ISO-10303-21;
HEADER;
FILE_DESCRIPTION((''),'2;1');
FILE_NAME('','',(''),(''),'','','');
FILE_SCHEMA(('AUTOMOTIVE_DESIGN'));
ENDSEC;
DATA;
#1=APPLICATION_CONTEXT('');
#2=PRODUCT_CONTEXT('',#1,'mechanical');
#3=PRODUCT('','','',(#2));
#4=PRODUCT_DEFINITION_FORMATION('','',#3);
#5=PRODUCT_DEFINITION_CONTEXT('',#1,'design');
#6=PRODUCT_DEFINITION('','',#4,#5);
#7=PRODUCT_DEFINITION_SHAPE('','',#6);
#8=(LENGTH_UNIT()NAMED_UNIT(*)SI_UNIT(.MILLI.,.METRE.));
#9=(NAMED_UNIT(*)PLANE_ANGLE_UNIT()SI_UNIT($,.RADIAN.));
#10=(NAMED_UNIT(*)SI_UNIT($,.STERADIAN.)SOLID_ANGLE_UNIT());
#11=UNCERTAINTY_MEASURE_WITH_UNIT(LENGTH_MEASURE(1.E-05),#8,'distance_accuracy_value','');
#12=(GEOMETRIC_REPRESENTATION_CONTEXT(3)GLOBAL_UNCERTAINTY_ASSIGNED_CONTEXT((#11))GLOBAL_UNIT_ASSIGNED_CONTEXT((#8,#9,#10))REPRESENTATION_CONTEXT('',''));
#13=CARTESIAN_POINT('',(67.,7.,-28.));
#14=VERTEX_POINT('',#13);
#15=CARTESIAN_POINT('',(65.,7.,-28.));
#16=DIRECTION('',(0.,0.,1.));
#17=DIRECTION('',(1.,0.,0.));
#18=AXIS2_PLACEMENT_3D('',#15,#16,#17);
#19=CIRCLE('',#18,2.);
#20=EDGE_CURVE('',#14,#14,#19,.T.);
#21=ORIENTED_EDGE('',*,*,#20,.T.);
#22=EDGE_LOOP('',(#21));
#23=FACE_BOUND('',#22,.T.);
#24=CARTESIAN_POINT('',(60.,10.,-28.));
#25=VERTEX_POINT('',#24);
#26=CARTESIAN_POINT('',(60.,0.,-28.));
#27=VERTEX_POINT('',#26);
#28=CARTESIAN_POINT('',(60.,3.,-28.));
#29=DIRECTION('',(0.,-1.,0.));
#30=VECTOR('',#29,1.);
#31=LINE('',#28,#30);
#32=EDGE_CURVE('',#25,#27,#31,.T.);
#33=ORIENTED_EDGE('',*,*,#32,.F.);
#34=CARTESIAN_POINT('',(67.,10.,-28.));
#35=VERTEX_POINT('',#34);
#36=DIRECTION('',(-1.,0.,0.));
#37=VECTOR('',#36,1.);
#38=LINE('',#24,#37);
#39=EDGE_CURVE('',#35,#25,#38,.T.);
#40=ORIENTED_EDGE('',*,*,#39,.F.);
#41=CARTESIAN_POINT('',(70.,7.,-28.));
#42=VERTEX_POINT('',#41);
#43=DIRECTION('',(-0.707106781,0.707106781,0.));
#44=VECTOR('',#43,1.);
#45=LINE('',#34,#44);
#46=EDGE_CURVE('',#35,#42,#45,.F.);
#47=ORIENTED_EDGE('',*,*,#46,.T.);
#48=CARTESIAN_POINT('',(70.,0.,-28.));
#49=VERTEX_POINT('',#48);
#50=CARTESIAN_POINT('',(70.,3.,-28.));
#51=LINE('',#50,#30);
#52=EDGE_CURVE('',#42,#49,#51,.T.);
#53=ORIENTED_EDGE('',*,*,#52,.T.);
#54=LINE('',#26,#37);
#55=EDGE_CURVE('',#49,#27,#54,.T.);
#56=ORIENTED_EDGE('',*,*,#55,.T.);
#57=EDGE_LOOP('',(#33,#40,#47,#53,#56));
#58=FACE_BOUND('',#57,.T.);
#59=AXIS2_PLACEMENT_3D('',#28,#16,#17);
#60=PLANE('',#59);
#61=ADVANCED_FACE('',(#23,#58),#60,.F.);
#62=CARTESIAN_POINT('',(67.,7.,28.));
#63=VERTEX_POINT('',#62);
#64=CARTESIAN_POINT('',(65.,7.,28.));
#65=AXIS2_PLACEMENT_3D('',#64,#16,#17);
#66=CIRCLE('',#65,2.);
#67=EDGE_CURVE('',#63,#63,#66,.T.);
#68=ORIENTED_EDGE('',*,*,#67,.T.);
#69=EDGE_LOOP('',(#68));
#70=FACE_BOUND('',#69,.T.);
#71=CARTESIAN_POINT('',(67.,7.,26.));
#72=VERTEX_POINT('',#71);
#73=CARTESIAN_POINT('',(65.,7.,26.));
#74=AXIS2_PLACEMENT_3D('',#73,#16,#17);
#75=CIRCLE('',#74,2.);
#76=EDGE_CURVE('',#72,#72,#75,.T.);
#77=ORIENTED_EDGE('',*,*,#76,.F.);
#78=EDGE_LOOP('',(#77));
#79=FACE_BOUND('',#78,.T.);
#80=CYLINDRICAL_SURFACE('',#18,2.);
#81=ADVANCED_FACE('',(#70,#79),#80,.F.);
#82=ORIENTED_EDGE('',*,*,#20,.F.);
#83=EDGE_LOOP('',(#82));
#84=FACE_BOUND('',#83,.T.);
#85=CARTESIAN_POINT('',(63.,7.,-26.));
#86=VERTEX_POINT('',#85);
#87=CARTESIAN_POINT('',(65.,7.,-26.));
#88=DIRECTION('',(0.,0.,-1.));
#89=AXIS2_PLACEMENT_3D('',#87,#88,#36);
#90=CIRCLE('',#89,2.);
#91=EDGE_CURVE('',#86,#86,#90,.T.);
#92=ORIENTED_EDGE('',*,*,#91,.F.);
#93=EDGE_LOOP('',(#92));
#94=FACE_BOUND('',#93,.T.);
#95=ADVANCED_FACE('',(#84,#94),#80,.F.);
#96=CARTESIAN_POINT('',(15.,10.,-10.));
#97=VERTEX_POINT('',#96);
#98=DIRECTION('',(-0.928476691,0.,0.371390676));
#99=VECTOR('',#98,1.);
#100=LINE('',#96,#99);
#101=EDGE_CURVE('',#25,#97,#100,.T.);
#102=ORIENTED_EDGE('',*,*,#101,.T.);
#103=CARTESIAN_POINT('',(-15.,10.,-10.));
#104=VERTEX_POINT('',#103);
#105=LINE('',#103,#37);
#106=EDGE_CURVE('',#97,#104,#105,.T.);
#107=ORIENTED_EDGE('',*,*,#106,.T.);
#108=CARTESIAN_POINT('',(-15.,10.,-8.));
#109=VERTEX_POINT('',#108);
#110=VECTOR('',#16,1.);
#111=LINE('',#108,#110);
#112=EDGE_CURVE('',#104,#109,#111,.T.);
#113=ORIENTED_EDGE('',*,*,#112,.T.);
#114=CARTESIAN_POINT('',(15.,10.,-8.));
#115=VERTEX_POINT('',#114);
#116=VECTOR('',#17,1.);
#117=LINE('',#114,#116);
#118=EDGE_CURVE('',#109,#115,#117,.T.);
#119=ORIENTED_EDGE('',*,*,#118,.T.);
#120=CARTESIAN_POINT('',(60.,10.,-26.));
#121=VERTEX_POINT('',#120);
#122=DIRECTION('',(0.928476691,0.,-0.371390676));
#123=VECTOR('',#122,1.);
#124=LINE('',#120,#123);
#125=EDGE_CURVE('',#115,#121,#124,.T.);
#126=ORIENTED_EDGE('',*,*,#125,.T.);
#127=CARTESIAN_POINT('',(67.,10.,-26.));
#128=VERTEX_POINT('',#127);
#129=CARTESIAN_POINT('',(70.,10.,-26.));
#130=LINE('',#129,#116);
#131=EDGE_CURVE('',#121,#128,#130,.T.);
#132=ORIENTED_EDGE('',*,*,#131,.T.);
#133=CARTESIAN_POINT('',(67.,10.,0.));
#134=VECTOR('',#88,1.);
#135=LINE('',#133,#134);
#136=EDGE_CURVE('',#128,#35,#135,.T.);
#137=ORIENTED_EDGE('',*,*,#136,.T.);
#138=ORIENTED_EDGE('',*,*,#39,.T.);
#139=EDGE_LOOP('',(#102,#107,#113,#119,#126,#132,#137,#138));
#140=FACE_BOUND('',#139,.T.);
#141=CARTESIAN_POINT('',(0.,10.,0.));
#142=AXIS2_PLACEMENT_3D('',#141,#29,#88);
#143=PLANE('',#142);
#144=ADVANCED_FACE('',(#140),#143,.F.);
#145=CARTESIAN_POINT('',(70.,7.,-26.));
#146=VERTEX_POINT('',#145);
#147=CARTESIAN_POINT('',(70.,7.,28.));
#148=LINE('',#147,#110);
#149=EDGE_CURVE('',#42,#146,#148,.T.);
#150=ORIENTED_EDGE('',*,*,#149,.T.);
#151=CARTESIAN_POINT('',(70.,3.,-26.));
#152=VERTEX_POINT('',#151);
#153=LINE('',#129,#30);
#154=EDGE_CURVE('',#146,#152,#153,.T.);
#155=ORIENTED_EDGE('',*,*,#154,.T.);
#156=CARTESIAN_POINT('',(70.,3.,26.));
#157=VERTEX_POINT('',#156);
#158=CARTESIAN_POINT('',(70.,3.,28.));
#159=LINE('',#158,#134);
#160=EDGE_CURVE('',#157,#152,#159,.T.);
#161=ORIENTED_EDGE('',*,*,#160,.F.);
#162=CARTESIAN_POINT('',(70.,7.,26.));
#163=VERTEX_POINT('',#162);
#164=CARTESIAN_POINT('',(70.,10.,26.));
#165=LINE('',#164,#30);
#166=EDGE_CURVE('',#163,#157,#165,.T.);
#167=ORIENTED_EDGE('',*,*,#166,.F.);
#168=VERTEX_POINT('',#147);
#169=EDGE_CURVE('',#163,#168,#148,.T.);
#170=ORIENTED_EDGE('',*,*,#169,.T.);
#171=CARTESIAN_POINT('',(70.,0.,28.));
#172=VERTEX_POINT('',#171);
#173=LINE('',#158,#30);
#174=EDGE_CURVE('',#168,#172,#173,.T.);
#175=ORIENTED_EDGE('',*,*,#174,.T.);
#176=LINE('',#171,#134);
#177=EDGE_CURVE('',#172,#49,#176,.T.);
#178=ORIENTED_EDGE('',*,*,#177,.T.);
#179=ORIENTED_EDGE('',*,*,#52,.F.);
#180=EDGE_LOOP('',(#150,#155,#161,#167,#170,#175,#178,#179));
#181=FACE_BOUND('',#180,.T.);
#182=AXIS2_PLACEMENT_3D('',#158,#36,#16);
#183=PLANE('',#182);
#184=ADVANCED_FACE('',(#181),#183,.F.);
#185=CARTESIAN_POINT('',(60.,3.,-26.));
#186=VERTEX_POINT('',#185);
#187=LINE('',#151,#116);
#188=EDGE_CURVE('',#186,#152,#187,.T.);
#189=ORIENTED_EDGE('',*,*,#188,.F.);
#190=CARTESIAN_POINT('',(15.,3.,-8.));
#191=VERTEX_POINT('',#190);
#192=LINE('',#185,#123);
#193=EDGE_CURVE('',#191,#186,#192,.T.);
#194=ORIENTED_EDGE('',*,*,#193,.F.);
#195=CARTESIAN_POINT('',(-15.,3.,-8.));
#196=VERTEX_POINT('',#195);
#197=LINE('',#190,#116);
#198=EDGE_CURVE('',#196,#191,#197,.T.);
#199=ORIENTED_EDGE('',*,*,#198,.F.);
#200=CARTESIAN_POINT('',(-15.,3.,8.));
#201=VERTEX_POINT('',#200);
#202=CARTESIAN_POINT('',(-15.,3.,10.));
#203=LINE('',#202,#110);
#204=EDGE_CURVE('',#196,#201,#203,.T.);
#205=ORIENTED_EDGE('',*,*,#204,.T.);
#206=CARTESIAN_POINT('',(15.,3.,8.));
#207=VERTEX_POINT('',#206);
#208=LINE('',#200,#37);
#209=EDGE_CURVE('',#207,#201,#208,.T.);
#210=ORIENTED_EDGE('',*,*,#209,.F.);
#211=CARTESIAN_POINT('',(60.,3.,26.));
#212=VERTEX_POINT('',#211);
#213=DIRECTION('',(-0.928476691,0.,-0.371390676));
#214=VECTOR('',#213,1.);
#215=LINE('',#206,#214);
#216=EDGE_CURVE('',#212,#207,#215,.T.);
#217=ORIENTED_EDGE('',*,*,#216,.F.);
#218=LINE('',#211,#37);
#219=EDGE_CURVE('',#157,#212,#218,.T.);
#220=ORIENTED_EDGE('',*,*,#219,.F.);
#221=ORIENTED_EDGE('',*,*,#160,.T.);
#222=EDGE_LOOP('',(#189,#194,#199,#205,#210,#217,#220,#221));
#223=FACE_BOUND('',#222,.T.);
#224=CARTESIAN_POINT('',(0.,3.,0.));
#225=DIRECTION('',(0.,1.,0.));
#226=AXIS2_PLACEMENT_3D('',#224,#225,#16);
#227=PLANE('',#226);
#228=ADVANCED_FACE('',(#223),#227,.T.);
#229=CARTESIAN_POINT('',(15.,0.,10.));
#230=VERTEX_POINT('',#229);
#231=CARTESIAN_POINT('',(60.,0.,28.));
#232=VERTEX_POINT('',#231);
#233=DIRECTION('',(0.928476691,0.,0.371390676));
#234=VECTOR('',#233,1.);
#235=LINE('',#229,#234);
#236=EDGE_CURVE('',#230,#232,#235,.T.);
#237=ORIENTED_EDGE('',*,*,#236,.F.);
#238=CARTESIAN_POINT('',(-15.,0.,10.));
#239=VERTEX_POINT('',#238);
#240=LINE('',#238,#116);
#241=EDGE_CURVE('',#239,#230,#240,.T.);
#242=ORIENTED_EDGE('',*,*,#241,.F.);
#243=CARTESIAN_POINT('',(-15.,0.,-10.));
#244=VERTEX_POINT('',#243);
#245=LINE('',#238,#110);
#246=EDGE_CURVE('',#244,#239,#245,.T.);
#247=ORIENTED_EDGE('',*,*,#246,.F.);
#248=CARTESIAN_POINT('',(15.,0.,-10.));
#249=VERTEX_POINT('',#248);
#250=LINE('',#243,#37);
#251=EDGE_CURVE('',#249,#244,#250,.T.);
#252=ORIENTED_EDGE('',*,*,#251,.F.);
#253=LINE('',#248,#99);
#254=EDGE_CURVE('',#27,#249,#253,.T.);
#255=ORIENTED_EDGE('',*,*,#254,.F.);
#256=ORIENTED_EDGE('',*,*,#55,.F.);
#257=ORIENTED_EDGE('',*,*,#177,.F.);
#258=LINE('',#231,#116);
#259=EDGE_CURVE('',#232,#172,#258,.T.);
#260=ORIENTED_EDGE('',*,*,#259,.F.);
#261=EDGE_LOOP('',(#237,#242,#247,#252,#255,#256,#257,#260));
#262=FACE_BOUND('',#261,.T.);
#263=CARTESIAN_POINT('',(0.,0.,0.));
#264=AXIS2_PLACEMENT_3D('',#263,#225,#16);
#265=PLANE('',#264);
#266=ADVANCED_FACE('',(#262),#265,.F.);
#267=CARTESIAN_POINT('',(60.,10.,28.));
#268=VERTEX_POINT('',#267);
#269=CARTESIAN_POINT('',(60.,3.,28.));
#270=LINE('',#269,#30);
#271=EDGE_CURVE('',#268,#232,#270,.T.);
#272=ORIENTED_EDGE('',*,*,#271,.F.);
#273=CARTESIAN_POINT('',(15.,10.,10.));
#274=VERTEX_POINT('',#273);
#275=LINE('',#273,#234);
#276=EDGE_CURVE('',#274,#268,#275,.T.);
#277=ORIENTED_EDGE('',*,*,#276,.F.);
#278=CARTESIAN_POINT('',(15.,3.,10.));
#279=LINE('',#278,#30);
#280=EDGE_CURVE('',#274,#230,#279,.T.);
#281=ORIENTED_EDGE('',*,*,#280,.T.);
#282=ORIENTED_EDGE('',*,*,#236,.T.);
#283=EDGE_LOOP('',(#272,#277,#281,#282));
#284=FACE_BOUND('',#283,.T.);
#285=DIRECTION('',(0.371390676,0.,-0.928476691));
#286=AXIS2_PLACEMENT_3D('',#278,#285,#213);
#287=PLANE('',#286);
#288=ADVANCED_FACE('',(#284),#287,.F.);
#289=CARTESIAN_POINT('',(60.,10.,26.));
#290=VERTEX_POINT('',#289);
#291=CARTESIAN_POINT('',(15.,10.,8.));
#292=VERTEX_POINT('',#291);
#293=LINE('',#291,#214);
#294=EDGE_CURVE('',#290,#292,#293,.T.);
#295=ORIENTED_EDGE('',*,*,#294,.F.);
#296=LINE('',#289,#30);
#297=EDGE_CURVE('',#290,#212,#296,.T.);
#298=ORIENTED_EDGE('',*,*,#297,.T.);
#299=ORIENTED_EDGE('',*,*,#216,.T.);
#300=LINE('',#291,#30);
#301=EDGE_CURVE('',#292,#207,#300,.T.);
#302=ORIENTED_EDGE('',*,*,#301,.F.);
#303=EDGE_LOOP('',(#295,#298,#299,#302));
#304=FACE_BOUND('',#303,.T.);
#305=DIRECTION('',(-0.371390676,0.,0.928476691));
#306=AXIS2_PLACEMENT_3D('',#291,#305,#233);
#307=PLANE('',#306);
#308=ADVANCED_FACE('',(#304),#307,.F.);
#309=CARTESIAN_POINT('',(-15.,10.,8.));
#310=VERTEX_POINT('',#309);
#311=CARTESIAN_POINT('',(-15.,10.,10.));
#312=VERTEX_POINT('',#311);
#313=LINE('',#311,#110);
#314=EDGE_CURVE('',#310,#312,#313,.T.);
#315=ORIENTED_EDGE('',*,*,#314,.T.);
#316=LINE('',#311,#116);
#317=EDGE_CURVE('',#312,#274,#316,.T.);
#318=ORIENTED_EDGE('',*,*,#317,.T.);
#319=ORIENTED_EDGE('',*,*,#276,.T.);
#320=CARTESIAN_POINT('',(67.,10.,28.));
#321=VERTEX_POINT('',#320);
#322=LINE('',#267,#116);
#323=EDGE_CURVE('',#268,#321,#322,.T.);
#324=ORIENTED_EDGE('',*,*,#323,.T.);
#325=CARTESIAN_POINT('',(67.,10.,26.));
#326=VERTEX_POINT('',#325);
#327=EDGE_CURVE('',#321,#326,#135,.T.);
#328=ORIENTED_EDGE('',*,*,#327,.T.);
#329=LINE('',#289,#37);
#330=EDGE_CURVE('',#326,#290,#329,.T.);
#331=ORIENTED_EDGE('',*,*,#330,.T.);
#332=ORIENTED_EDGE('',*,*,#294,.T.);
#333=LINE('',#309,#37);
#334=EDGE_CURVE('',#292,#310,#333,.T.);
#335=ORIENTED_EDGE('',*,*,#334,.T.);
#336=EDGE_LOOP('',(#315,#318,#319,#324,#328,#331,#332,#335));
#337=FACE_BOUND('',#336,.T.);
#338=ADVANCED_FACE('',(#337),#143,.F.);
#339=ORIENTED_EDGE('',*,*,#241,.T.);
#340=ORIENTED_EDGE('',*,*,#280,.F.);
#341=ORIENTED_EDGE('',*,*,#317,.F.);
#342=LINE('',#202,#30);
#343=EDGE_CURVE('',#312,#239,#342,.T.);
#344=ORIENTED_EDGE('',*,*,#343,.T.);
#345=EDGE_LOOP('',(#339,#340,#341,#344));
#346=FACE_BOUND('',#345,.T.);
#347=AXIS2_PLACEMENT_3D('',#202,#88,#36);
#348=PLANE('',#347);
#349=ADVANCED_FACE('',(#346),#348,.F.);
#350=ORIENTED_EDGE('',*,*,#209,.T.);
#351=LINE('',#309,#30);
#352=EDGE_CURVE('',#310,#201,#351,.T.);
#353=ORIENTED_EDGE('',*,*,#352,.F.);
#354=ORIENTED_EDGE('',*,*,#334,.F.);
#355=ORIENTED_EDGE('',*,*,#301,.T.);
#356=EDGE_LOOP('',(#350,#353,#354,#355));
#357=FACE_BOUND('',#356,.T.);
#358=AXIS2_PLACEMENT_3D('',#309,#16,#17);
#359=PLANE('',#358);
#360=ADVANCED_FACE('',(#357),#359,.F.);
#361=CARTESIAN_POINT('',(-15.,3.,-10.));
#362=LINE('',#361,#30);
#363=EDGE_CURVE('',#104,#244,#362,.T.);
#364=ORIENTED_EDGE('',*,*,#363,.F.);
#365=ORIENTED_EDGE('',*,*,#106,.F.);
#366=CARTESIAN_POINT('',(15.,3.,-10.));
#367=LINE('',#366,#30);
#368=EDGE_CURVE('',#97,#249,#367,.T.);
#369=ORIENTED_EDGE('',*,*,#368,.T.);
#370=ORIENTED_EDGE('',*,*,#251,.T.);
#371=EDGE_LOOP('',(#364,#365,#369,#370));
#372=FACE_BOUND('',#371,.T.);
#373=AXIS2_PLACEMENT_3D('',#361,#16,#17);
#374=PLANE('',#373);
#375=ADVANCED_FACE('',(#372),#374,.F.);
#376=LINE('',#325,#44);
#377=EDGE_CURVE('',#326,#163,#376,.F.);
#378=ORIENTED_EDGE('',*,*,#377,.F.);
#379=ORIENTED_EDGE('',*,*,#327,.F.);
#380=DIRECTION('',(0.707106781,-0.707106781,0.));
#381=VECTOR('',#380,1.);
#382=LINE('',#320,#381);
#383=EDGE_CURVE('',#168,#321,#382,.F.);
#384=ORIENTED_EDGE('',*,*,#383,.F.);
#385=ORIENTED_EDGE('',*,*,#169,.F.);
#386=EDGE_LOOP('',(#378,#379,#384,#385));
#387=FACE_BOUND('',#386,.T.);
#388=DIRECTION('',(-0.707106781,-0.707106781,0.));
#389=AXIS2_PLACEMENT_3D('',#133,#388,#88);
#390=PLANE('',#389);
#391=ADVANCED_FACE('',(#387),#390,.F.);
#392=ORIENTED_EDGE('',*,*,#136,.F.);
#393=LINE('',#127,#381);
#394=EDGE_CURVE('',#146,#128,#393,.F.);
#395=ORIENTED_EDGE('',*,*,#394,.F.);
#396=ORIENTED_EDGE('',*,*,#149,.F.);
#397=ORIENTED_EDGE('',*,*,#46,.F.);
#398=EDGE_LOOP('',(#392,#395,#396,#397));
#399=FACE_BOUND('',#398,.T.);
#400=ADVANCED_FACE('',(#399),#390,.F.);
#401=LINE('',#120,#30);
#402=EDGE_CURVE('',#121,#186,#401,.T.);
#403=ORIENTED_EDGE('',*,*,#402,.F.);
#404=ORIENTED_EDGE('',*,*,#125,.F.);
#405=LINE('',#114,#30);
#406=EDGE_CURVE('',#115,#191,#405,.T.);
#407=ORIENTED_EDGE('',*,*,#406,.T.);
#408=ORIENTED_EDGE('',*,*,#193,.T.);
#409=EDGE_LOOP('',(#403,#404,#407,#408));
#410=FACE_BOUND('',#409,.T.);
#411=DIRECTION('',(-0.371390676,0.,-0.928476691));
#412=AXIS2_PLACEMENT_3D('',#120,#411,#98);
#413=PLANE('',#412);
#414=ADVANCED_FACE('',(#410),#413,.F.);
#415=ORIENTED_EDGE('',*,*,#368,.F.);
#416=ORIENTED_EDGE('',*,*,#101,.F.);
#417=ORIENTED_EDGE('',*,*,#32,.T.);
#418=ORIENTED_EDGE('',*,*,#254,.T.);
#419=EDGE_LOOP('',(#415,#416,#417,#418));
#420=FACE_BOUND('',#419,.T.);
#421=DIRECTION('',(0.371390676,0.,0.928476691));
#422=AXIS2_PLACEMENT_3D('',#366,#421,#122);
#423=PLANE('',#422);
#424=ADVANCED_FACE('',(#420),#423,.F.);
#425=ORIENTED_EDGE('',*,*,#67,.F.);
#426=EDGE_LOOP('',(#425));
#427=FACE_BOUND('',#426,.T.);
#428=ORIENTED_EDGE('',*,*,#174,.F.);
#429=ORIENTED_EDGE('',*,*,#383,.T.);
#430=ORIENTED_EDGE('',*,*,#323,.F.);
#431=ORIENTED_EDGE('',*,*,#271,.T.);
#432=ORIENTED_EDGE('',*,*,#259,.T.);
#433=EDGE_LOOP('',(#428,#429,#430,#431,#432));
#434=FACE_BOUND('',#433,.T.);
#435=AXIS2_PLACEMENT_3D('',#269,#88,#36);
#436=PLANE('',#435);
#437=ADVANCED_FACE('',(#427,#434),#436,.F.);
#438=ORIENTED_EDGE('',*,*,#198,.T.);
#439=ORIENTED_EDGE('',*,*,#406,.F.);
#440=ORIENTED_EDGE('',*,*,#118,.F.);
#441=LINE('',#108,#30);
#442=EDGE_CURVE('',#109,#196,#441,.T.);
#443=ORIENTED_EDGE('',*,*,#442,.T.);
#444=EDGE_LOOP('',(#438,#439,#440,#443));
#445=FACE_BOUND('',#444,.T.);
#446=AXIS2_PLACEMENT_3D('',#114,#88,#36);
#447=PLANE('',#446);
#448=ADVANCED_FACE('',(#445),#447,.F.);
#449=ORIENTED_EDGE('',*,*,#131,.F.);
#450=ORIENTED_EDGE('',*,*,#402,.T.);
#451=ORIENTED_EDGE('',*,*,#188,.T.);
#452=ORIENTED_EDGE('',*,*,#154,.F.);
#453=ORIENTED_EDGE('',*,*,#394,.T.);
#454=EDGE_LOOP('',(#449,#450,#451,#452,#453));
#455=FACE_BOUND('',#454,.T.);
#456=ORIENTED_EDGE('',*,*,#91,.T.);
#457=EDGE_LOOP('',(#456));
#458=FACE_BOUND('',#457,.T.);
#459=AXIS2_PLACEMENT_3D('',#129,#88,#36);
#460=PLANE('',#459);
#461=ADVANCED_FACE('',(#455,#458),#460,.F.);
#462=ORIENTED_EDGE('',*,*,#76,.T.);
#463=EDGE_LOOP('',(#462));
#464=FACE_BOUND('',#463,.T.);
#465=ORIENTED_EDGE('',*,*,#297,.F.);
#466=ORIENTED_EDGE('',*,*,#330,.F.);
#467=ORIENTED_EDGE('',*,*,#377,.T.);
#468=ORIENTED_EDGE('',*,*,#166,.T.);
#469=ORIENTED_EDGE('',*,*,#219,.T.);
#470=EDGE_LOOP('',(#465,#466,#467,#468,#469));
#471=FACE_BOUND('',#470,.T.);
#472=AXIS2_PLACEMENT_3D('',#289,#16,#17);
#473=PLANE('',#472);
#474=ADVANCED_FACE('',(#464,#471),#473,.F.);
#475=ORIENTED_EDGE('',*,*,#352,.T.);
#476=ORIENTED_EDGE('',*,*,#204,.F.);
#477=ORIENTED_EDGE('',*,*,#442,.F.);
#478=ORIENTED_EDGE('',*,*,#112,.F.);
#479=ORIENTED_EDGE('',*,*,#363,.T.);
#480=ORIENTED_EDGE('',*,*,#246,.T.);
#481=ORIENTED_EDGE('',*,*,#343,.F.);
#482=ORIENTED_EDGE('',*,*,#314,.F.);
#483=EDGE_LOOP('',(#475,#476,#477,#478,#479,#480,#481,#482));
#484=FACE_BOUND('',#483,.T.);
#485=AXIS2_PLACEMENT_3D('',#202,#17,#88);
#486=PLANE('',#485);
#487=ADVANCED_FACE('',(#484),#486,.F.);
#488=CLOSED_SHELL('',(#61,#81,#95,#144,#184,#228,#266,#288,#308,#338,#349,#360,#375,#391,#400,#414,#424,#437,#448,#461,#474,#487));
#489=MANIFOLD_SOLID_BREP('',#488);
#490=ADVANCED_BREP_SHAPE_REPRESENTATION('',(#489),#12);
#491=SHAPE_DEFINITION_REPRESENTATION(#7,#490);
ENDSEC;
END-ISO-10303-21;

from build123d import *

# Parameters (mm, degrees)
SALIENTE_EXTRUIR1_DEPTH = 3
SALIENTE_EXTRUIR2_DEPTH = 7
CROQUIS3_R              = 2
CORTAR_EXTRUIR1_DEPTH   = 91.19977827
CHAFL_N1_SIZE           = 3


with BuildPart() as part:
    # Croquis1 → Saliente-Extruir1 (new body)
    with BuildSketch(Plane(origin=(0, 0, 0), x_dir=(1, 0, 0), z_dir=(0, 1, 0))):
        Polygon((-15, -10), (15, -10), (60, -28), (70, -28), (70, 28), (60, 28), (15, 10), (-15, 10), align=None)
    extrude(amount=SALIENTE_EXTRUIR1_DEPTH)

    # Croquis2 → Saliente-Extruir2 (add)
    with BuildSketch(Plane(origin=(0, 3, 0), x_dir=(1, 0, 0), z_dir=(0, 1, 0))):
        Polygon((-15, 10), (15, 10), (60, 28), (70, 28), (70, 26), (60, 26), (15, 8), (-15, 8), align=None)
        Polygon((-15, -10), (15, -10), (60, -28), (70, -28), (70, -26), (60, -26), (15, -8), (-15, -8), align=None)
    extrude(amount=SALIENTE_EXTRUIR2_DEPTH)

    # Croquis3 → Cortar-Extruir1 (cut, through all)
    with BuildSketch(Plane.XY.offset(28)):
        with Locations((65, 7)):
            Circle(CROQUIS3_R)
    extrude(amount=-CORTAR_EXTRUIR1_DEPTH, mode=Mode.SUBTRACT)

    # Chaflán1
    chafl_n1_edges = [part.edges().sort_by_distance(p)[0] for p in [
        (70, 10, -27),
        (70, 10, 27),
    ]]
    chamfer(chafl_n1_edges, length=CHAFL_N1_SIZE)


solid = part.part
